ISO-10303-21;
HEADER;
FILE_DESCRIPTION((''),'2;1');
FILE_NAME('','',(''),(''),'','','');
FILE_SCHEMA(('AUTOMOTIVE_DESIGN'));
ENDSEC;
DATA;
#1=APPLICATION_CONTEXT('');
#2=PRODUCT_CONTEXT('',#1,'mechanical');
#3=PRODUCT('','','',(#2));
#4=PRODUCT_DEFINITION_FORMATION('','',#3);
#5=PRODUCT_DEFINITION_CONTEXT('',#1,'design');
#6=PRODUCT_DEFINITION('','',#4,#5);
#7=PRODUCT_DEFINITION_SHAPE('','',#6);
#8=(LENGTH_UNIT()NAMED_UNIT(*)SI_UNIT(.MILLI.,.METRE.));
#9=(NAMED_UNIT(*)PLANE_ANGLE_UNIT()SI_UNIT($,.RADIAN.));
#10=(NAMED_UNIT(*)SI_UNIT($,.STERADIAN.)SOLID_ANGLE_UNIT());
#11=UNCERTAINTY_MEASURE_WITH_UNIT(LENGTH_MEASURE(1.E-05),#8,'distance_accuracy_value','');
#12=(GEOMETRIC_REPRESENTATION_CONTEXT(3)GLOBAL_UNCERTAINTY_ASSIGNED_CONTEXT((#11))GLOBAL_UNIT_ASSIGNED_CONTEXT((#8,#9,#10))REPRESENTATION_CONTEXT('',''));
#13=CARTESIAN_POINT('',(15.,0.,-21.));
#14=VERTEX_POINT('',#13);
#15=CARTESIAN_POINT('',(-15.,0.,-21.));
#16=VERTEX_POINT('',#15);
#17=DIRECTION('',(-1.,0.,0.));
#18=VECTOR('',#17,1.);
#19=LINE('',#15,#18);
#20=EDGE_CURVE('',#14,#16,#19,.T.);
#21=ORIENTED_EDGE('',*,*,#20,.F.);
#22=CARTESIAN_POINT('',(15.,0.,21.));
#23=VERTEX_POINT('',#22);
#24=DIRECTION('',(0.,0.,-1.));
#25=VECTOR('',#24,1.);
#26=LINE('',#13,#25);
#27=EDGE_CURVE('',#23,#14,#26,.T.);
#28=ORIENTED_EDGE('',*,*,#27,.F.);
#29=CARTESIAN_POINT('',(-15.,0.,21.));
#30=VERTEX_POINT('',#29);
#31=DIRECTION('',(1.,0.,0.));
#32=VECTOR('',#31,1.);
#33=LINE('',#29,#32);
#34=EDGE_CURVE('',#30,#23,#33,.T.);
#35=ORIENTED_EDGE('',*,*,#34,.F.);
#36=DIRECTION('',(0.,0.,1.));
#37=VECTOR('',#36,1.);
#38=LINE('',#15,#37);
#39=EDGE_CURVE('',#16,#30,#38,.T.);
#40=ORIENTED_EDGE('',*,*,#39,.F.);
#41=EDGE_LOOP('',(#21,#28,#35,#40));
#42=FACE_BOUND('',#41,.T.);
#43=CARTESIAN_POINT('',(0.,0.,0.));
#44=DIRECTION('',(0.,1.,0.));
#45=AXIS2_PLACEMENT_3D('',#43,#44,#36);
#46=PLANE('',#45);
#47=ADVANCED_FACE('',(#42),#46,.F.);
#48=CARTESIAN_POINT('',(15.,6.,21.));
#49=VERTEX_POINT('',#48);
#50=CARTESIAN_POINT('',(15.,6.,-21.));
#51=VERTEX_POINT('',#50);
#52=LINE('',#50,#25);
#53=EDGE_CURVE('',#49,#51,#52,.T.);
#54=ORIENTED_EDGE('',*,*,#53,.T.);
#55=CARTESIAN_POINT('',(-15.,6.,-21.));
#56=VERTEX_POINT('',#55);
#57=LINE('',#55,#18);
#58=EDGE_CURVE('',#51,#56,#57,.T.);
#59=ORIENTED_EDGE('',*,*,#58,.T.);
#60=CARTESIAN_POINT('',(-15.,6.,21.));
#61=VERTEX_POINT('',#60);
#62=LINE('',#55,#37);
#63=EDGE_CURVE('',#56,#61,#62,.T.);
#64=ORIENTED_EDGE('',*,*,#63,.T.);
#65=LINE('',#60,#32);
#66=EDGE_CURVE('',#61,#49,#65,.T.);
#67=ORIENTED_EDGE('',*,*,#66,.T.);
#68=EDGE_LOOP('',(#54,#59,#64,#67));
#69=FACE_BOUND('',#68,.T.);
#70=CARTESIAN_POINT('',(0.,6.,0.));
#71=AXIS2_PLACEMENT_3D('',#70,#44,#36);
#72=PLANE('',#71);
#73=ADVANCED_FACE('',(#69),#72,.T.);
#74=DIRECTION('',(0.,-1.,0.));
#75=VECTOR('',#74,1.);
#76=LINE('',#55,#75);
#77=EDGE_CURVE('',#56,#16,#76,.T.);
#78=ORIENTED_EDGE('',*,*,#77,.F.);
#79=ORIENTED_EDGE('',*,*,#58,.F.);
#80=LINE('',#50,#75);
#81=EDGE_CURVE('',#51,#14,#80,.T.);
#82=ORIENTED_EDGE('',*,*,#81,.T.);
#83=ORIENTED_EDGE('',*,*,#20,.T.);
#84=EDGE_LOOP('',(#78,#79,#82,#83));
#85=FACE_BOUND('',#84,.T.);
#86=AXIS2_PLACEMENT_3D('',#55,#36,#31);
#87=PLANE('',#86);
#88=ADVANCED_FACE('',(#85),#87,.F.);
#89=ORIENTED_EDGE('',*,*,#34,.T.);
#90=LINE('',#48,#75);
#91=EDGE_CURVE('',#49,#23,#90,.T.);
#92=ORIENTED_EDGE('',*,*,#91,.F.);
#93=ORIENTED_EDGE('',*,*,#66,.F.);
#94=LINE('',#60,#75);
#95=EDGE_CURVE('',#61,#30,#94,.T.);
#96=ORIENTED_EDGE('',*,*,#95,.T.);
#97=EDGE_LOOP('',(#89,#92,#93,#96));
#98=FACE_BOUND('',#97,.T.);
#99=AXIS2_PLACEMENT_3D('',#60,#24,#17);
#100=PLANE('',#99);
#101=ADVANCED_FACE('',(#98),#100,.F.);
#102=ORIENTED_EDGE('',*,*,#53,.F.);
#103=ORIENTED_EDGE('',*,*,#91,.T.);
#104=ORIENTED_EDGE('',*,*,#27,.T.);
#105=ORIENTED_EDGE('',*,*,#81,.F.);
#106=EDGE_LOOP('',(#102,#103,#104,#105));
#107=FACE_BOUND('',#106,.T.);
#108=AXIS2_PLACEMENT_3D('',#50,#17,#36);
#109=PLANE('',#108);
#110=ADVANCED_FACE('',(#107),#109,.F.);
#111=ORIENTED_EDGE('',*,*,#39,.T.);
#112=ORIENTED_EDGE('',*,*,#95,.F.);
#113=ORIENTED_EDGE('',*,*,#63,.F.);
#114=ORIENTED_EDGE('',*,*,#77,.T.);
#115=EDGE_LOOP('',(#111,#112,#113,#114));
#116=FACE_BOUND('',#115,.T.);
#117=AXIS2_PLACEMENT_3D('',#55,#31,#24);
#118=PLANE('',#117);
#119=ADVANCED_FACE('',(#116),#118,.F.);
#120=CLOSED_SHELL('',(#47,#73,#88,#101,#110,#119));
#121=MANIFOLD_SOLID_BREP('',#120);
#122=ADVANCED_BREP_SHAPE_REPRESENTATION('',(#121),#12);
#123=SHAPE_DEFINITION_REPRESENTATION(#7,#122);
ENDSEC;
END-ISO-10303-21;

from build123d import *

# Parameters (mm, degrees)
SKETCH_1_W      = 30
SKETCH_1_H      = 42
EXTRUDE_1_DEPTH = 6


with BuildPart() as part:
    # 草图1 → 凸台-拉伸1 (new body)
    with BuildSketch(Plane(origin=(0, 0, 0), x_dir=(1, 0, 0), z_dir=(0, 1, 0))):
        Rectangle(SKETCH_1_W, SKETCH_1_H)
    extrude(amount=EXTRUDE_1_DEPTH)


solid = part.part
